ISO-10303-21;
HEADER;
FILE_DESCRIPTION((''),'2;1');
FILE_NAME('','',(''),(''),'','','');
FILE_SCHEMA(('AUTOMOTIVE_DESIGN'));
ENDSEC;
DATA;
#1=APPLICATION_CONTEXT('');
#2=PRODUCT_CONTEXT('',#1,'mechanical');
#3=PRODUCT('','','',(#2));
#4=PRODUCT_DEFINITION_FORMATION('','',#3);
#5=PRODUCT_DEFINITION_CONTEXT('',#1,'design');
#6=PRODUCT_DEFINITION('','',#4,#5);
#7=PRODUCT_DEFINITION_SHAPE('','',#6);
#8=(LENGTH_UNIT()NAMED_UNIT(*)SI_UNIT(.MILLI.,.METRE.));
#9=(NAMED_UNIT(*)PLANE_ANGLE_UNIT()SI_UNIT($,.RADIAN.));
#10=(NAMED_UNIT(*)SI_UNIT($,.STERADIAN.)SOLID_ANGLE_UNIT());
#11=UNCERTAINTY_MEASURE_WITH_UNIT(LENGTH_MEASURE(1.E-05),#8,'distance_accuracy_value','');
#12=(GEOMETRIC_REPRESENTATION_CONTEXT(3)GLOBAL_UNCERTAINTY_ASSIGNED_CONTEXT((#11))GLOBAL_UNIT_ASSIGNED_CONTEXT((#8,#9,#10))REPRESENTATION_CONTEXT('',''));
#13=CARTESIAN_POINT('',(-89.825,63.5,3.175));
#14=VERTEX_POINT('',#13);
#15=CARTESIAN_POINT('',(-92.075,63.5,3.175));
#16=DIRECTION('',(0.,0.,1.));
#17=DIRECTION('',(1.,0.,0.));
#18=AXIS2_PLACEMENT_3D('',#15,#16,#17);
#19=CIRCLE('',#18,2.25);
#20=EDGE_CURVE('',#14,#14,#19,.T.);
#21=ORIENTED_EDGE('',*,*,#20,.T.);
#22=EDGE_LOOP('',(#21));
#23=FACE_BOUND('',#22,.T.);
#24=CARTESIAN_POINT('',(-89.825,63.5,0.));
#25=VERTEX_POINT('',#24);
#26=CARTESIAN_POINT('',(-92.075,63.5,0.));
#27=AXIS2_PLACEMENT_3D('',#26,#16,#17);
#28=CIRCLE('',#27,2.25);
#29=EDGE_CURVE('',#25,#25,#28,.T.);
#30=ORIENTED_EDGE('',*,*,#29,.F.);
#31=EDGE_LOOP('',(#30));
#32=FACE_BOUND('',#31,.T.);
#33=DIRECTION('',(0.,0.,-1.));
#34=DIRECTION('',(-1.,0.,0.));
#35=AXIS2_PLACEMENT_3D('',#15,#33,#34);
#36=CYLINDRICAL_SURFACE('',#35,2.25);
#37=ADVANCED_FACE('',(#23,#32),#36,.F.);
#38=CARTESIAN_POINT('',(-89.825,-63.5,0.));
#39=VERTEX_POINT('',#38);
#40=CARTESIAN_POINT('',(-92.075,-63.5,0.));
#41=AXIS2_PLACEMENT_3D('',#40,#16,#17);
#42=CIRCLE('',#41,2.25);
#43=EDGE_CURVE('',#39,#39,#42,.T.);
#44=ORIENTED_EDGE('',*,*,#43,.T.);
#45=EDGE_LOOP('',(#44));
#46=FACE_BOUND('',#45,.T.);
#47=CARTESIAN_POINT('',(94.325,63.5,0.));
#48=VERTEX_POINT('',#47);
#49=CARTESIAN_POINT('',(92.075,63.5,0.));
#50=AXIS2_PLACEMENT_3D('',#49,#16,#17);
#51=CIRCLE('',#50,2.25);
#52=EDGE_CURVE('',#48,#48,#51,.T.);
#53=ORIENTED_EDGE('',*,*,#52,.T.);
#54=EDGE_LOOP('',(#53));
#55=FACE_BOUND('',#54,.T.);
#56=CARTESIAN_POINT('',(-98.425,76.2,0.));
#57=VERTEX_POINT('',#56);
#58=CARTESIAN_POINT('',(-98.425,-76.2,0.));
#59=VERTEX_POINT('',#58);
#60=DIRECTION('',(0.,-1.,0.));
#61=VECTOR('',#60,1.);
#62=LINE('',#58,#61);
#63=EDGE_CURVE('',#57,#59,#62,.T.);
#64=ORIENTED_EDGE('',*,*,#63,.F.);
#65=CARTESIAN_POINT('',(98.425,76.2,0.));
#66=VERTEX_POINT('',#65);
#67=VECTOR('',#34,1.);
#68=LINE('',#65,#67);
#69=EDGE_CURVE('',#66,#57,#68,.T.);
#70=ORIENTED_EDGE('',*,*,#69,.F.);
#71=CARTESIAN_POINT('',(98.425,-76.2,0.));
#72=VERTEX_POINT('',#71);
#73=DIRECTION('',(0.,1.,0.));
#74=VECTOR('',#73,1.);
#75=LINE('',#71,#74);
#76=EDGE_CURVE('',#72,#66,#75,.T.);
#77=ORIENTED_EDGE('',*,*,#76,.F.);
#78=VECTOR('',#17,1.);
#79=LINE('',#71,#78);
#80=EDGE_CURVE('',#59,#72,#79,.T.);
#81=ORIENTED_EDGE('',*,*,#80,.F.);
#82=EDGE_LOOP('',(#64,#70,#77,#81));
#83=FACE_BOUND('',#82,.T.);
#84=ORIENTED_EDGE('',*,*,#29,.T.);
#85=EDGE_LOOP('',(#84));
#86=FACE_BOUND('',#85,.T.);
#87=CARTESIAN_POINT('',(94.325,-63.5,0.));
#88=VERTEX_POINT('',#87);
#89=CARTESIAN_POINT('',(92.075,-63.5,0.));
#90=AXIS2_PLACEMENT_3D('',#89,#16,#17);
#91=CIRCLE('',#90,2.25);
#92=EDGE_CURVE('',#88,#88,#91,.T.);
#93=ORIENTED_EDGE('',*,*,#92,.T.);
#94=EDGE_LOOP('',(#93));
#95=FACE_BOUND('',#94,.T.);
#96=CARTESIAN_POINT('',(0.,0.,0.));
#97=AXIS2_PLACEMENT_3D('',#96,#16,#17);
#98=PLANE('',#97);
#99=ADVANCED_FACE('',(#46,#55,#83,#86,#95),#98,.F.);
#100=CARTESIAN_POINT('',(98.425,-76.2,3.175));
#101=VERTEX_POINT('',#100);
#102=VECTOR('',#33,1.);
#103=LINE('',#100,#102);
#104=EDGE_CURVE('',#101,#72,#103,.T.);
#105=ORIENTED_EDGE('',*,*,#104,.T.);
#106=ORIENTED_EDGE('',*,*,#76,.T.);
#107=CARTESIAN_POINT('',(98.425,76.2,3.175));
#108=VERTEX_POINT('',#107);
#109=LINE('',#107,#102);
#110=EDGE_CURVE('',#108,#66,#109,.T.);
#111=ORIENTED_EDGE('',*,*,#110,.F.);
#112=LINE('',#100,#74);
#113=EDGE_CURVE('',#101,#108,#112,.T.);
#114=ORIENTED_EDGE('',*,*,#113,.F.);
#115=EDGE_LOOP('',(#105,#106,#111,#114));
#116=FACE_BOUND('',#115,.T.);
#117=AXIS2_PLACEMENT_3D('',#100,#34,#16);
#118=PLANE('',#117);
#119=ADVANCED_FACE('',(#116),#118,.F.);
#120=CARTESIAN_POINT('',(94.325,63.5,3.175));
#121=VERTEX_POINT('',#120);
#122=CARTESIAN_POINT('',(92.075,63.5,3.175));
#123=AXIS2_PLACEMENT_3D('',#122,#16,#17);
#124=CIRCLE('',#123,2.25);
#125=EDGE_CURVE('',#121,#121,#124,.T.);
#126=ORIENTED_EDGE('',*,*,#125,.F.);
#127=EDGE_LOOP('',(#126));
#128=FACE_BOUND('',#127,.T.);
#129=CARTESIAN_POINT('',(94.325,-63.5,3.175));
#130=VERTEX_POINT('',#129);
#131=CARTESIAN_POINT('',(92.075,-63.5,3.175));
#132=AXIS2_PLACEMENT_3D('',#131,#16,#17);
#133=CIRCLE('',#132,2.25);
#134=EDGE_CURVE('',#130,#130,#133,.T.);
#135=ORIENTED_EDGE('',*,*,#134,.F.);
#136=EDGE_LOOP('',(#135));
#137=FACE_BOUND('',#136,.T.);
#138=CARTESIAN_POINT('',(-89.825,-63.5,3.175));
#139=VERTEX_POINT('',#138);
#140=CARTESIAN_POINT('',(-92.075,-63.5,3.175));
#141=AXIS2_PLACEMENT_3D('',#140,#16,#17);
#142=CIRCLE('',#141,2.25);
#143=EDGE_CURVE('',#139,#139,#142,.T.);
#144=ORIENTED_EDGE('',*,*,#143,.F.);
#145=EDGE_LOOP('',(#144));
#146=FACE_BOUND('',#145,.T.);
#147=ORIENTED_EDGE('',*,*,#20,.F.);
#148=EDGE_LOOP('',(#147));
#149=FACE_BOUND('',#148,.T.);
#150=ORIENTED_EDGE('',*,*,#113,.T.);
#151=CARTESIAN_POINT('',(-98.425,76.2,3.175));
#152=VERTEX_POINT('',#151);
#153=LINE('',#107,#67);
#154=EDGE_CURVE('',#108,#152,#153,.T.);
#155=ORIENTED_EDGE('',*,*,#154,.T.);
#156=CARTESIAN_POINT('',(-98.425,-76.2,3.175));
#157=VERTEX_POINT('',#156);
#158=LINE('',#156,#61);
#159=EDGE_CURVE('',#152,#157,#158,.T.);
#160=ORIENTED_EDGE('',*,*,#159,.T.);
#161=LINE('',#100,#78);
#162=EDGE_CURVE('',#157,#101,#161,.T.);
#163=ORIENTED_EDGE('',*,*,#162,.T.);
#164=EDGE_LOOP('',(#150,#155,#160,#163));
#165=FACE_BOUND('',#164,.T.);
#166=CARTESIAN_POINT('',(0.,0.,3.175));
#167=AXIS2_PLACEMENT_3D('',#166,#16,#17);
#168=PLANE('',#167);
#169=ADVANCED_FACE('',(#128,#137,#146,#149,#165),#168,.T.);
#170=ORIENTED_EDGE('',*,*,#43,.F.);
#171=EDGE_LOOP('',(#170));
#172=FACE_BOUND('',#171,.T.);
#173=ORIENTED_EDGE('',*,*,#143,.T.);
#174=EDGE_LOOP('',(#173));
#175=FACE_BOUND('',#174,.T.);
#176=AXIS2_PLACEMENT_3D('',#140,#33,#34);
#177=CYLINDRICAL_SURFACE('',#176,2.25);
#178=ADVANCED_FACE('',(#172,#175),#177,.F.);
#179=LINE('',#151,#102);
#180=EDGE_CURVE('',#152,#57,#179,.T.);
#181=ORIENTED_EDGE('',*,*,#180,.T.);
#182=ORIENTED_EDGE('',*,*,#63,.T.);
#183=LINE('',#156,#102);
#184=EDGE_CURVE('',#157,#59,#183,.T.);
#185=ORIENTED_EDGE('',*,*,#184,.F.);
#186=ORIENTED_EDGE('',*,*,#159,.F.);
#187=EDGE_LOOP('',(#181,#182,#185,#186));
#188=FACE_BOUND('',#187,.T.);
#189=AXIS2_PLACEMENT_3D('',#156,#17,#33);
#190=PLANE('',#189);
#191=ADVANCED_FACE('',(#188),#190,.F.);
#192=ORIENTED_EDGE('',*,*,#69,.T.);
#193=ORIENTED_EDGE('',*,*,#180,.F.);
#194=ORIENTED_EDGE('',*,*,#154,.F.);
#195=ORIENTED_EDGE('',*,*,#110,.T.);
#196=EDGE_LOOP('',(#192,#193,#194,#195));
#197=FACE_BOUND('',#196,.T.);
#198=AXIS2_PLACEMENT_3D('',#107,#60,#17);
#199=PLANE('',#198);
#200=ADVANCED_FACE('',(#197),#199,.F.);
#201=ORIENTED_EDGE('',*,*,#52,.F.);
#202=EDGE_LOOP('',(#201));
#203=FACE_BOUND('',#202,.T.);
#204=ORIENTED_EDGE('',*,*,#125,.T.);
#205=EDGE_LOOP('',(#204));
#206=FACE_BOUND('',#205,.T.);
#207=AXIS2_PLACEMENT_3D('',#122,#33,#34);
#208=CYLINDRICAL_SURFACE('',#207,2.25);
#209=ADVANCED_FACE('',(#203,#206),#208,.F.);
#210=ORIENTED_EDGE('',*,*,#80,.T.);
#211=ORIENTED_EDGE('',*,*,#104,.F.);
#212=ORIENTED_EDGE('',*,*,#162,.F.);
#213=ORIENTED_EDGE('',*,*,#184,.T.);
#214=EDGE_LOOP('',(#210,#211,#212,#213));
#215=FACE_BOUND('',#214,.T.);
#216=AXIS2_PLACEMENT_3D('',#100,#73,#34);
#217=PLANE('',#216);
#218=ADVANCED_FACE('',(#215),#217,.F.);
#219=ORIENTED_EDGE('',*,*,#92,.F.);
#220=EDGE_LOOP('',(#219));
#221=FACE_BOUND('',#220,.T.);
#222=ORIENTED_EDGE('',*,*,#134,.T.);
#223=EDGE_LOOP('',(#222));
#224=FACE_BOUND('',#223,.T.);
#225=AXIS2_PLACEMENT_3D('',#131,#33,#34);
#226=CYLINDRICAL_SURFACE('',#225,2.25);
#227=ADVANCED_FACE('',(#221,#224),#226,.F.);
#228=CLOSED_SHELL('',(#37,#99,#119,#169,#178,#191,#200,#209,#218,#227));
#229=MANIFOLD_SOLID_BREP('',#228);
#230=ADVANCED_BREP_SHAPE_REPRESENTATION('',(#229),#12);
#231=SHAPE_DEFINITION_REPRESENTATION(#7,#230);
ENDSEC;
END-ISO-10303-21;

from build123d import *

# Parameters (mm, degrees)
SKETCH1_W           = 196.85
SKETCH1_H           = 152.4
SKETCH1_R           = 2.25
BOSS_EXTRUDE1_DEPTH = 3.175


with BuildPart() as part:
    # Sketch1 → Boss-Extrude1 (new body)
    with BuildSketch(Plane.XY):
        Rectangle(SKETCH1_W, SKETCH1_H)
        with Locations((-92.075, 63.5)):
            Circle(SKETCH1_R, mode=Mode.SUBTRACT)
        with Locations((92.075, 63.5)):
            Circle(SKETCH1_R, mode=Mode.SUBTRACT)
        with Locations((92.075, -63.5)):
            Circle(SKETCH1_R, mode=Mode.SUBTRACT)
        with Locations((-92.075, -63.5)):
            Circle(SKETCH1_R, mode=Mode.SUBTRACT)
    extrude(amount=BOSS_EXTRUDE1_DEPTH)


solid = part.part
